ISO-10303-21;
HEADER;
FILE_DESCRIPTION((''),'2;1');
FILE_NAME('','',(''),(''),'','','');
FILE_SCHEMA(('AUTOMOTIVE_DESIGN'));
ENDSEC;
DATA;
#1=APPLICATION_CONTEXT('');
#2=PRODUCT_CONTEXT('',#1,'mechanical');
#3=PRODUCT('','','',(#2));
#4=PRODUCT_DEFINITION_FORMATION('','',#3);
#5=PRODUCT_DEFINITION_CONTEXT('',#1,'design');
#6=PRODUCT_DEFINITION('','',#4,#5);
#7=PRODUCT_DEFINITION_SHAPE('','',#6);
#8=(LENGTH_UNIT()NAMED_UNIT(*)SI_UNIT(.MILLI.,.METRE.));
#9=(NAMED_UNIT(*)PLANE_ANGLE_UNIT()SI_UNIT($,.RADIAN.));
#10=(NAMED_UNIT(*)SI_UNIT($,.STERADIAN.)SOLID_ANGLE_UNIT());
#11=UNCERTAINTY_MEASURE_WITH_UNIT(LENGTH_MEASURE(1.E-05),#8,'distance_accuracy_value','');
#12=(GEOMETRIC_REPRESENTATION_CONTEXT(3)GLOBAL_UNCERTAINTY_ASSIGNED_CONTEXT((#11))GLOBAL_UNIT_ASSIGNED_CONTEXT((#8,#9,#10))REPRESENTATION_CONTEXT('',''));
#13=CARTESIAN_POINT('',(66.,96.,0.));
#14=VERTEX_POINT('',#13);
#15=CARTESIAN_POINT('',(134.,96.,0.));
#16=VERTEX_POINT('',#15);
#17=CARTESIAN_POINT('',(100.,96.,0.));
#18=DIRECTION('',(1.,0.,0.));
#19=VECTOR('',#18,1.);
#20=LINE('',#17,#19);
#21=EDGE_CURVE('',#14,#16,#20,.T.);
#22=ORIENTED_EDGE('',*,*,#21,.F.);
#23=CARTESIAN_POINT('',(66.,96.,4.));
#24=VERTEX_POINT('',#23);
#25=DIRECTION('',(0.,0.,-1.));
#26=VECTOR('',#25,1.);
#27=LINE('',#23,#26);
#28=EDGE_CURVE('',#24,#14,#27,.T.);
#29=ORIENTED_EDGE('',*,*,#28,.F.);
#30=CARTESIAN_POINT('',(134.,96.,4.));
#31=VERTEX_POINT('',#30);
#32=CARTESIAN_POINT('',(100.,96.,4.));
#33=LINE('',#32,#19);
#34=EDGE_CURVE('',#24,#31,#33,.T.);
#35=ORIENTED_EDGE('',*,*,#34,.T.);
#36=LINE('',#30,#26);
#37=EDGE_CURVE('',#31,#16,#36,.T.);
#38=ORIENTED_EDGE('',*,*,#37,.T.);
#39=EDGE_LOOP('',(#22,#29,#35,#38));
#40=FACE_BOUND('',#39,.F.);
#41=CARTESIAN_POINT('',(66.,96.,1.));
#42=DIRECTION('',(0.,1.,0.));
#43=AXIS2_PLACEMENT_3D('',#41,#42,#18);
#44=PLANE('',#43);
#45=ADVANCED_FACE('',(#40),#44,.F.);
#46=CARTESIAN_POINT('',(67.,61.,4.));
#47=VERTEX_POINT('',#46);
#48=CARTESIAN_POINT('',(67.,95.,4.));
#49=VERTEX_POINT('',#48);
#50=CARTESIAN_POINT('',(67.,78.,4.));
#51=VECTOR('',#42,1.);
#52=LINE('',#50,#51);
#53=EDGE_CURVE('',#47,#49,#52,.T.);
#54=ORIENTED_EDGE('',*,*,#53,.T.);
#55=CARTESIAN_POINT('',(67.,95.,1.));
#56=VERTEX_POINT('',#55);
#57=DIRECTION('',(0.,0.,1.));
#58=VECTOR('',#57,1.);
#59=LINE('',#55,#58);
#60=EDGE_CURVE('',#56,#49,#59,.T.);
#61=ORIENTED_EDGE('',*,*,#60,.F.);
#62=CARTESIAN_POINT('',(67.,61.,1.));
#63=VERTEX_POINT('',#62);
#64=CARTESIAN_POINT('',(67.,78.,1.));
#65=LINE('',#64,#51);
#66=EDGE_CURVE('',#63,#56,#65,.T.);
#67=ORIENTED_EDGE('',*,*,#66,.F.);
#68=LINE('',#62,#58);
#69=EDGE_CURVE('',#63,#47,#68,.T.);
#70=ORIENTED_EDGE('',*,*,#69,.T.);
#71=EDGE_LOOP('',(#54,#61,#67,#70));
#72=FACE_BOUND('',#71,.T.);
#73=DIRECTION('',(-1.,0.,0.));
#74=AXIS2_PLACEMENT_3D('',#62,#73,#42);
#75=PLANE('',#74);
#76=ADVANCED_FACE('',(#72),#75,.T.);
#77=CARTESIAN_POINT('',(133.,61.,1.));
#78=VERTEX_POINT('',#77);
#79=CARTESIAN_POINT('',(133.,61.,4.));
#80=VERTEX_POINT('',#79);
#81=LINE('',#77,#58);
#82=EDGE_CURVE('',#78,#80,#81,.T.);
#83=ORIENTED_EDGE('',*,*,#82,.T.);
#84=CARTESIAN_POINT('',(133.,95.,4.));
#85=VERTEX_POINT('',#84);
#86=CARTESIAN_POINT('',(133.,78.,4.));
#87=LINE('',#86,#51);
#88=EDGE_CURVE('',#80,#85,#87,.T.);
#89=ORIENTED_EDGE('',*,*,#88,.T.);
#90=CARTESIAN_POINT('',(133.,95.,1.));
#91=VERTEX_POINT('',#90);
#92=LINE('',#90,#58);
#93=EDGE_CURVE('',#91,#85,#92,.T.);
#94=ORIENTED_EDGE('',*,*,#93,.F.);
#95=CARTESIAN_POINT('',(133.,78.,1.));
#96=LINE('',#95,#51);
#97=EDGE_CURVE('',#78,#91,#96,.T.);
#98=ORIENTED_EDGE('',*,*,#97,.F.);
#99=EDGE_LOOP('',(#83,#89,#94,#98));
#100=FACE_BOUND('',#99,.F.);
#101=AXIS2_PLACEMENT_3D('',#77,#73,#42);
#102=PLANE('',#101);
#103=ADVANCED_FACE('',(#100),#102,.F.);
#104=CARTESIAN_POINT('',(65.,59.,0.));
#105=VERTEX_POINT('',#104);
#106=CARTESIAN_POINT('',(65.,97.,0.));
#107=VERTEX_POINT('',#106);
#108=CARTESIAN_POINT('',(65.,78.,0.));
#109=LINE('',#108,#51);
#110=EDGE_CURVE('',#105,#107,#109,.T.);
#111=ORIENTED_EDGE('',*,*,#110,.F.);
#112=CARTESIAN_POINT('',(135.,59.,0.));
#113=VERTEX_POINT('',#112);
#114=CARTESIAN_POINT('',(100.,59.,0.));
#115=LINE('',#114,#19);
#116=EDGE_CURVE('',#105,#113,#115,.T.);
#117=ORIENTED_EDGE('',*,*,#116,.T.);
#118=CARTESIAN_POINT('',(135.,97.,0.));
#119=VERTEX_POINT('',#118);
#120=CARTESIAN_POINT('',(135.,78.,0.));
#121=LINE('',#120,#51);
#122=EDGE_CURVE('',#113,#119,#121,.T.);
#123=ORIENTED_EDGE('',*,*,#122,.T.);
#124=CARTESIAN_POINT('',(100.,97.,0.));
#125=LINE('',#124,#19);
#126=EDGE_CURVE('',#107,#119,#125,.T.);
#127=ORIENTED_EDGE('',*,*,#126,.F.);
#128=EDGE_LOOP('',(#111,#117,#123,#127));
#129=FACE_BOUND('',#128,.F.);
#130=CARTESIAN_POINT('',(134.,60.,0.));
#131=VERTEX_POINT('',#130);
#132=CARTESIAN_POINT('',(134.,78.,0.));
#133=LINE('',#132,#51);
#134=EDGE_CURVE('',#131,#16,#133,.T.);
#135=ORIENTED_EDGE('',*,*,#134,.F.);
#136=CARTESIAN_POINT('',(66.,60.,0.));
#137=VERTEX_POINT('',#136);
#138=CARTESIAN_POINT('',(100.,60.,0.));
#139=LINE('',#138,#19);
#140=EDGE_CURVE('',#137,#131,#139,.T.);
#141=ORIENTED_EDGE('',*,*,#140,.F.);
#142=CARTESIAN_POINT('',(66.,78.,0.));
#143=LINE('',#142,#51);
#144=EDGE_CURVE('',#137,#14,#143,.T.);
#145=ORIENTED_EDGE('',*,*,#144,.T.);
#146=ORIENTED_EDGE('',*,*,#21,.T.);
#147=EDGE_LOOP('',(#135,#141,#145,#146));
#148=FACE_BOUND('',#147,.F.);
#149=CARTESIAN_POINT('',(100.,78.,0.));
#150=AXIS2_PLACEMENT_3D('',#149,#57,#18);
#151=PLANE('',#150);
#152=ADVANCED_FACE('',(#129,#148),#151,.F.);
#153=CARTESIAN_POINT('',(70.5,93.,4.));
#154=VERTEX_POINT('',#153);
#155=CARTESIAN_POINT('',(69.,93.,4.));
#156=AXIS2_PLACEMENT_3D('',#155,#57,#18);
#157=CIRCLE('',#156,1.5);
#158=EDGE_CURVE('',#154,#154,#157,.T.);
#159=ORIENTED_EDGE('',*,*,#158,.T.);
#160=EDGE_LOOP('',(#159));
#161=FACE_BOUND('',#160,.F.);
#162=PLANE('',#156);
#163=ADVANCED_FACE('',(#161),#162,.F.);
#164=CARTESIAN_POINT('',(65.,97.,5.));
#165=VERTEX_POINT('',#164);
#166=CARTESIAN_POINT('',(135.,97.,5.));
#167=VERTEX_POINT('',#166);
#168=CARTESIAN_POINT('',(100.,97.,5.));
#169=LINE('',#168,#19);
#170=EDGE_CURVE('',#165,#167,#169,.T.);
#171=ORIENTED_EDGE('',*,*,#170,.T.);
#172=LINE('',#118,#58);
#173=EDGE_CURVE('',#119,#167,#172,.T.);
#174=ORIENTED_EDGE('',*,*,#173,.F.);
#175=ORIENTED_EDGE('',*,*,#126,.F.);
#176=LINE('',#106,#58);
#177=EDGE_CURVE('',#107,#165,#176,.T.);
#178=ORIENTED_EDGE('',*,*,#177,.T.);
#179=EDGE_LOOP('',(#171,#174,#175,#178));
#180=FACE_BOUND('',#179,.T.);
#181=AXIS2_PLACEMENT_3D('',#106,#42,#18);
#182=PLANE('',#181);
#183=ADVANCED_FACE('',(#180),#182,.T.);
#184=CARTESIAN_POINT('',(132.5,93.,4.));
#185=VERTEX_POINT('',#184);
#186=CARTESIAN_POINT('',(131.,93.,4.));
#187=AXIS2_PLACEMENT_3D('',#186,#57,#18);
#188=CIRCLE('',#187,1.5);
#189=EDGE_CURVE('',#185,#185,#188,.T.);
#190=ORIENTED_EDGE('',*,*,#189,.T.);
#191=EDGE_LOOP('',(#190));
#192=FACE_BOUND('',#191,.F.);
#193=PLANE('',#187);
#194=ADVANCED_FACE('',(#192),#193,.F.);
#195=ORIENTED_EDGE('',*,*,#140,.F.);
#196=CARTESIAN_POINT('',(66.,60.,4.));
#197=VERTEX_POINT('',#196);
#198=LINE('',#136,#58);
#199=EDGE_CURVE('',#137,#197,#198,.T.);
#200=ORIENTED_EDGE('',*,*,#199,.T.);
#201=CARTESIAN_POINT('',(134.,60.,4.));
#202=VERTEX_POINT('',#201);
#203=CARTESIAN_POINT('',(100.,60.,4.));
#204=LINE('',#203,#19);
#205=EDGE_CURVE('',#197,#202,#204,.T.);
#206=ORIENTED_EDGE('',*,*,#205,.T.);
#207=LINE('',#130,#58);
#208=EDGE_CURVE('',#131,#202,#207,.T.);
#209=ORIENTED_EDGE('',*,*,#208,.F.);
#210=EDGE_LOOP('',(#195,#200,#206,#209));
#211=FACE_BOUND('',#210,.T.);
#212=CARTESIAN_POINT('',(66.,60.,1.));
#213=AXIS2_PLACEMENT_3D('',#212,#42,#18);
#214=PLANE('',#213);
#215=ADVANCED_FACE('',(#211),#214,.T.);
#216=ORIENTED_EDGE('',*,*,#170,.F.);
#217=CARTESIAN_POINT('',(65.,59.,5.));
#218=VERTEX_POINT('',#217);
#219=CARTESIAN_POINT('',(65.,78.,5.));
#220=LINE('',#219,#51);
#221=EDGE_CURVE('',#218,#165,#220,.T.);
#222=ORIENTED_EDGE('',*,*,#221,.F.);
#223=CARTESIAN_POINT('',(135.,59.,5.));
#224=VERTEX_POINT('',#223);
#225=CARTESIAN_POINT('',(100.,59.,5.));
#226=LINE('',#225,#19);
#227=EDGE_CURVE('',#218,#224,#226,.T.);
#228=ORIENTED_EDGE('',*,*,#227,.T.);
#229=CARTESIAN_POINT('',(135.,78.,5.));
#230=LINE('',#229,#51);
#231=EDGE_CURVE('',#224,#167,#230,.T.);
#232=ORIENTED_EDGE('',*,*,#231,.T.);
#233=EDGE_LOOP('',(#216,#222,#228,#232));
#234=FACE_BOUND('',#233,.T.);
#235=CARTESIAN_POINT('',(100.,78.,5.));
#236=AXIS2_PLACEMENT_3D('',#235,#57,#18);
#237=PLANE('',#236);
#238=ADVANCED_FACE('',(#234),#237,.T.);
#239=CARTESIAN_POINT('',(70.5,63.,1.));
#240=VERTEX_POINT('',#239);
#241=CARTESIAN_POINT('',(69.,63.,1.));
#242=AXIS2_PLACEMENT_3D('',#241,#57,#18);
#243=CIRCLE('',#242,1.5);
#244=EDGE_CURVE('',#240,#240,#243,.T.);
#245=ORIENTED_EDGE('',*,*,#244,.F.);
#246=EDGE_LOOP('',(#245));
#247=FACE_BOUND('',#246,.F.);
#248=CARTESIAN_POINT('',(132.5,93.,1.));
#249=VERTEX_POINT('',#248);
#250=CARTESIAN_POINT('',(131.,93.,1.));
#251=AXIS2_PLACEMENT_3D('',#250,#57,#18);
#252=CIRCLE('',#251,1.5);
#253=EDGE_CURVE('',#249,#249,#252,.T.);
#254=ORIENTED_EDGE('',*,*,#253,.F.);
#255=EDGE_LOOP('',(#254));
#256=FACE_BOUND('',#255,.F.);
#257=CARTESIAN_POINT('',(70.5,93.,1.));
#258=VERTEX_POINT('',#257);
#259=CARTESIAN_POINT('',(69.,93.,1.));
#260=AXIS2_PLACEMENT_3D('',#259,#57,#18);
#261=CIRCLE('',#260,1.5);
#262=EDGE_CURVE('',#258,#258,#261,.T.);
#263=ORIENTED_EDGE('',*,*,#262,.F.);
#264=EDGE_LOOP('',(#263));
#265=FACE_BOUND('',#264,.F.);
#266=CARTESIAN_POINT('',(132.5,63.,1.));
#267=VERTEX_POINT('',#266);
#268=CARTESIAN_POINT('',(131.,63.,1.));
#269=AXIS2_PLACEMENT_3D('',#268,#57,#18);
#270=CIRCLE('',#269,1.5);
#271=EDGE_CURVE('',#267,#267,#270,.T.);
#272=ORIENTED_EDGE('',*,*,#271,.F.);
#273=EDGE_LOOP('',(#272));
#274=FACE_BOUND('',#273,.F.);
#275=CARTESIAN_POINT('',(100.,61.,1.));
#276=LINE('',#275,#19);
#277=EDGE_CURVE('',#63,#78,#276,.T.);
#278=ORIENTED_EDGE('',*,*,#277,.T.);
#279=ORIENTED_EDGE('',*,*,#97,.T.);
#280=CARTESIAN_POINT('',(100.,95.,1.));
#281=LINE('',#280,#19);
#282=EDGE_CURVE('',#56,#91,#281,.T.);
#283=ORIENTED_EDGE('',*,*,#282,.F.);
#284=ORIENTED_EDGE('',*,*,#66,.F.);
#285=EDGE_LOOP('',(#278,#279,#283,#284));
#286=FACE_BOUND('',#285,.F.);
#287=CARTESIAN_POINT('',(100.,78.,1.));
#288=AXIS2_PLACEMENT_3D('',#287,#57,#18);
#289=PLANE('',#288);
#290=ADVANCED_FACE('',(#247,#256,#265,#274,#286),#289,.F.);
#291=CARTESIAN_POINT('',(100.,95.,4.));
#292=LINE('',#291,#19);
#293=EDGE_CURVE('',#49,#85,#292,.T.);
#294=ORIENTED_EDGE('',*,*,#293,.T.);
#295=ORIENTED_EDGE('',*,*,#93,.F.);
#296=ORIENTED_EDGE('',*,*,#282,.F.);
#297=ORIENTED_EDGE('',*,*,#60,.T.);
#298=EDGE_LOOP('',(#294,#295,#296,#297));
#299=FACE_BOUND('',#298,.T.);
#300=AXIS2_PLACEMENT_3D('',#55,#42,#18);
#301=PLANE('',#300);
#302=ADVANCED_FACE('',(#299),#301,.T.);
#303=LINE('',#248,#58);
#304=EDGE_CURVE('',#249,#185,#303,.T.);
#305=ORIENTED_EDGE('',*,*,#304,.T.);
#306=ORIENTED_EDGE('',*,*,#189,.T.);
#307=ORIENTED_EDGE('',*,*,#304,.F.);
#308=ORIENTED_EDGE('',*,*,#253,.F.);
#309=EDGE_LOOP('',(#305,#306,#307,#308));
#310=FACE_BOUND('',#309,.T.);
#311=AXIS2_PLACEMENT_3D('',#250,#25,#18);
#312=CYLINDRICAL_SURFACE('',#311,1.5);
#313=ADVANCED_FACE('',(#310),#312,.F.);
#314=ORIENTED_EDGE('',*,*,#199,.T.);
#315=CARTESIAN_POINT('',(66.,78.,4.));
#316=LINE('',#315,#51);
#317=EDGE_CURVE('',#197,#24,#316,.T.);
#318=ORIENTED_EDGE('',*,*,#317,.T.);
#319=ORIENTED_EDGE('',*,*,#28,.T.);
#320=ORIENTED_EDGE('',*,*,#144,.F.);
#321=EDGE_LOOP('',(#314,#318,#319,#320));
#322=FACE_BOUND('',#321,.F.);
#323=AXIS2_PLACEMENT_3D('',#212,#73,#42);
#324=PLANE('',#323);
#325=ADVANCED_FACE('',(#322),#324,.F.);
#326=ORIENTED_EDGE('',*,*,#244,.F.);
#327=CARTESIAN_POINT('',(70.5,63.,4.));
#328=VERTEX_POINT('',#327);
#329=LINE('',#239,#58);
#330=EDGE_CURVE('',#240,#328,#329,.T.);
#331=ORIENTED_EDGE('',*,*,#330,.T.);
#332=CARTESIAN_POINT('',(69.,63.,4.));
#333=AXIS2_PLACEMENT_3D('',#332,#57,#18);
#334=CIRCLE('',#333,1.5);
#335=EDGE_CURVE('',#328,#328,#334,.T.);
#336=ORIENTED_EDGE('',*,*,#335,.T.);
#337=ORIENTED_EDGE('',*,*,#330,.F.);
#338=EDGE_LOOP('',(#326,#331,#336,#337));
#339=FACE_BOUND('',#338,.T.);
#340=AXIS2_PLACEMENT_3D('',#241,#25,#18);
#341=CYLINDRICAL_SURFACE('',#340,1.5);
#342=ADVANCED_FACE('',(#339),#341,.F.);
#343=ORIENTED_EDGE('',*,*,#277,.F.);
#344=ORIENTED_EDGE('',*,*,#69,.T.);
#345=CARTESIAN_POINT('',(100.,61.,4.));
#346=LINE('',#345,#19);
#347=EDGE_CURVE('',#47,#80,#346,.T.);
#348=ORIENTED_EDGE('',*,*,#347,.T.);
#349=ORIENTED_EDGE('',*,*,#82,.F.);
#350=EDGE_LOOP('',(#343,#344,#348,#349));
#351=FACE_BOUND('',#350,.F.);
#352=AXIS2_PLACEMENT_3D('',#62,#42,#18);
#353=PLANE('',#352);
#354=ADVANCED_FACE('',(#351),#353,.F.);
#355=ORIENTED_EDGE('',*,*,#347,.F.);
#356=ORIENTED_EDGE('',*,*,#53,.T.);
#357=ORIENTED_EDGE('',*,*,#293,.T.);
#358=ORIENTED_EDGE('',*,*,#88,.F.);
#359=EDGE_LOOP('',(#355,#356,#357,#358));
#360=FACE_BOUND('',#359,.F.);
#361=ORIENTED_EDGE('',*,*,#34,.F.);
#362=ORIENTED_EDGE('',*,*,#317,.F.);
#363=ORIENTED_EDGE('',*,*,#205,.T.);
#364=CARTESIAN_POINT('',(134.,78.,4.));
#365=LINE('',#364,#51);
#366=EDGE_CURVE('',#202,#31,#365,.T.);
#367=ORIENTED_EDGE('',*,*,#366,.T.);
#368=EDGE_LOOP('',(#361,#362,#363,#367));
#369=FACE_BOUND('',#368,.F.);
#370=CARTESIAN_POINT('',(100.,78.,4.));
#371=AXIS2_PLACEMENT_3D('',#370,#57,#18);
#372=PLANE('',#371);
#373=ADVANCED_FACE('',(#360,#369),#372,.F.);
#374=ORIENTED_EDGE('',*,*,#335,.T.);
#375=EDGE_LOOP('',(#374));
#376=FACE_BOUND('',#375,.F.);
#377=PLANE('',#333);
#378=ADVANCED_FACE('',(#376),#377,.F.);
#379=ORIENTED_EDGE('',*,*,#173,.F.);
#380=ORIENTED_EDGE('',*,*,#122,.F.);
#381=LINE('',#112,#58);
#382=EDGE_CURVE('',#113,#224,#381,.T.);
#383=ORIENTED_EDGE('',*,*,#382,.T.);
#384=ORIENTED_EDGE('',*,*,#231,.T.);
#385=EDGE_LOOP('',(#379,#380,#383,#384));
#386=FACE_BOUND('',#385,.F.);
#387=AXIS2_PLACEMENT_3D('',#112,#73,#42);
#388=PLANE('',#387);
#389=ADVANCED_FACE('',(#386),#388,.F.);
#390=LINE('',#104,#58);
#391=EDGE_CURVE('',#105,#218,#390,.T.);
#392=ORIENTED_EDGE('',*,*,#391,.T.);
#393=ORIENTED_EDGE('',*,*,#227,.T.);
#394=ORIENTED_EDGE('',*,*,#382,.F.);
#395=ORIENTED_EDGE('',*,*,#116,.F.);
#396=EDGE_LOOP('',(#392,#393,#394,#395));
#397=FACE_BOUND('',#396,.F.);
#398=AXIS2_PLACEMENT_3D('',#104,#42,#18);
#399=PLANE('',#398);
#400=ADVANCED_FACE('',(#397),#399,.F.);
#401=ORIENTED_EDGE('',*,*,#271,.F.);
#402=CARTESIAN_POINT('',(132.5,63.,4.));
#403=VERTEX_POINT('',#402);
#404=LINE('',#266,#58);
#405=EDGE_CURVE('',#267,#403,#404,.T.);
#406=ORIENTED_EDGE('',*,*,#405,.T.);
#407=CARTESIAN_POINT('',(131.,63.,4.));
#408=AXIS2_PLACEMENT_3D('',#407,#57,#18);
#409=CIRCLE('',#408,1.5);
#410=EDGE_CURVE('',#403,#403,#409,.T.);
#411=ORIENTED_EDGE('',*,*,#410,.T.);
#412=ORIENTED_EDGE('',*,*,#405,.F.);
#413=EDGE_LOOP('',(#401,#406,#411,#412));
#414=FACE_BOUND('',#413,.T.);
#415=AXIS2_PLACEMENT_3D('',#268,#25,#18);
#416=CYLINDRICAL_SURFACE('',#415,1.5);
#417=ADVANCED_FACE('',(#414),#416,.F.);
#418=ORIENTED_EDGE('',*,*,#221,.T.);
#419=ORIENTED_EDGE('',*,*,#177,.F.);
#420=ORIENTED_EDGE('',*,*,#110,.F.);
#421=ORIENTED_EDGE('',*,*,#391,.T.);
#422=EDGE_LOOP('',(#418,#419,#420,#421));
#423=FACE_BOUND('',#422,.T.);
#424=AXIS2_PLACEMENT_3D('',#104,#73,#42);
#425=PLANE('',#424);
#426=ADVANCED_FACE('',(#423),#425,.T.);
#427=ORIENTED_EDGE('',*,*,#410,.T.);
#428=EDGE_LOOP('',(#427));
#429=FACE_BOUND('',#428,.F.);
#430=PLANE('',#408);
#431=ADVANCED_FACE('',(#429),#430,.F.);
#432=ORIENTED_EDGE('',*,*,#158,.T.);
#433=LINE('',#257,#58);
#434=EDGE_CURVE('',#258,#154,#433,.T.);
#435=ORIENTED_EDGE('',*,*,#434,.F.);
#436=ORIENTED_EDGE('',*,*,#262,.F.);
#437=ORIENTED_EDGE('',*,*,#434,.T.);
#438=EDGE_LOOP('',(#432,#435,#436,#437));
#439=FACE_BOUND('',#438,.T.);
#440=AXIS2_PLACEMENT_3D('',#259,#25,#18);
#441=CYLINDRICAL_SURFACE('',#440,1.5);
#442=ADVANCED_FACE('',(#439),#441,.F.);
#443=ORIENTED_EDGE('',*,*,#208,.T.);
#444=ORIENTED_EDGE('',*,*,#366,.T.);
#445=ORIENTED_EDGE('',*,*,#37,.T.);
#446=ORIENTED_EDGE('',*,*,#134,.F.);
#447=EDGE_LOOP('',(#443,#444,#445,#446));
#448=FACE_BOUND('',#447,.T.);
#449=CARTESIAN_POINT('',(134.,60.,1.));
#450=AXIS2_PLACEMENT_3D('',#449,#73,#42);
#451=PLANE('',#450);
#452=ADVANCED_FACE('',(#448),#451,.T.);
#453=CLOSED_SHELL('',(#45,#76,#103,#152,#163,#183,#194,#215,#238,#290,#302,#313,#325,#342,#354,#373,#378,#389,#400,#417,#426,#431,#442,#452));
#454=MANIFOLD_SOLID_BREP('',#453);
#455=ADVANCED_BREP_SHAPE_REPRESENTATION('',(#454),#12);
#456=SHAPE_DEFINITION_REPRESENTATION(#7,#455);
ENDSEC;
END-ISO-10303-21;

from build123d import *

# Parameters (mm, degrees)
SKETCH033_W   = 68
SKETCH033_H   = 36
PAD021_DEPTH  = 1
SKETCH034_W   = 68
SKETCH034_H   = 36
SKETCH034_W_2 = 66
SKETCH034_H_2 = 34
PAD022_DEPTH  = 3
SKETCH036_R   = 1.5
PAD024_DEPTH  = 3
BOX001_W      = 70
BOX001_H      = 38
BOX001_DEPTH  = 5


with BuildPart() as bottommold:
    # Sketch033 → Pad021 (new body)
    with BuildSketch(Plane.XY):
        Rectangle(SKETCH033_W, SKETCH033_H)
    extrude(amount=PAD021_DEPTH)

    # Sketch034 (on Face6 of Pad021) → Pad022 (join)
    with BuildSketch(Plane.XY.offset(1)):
        Rectangle(SKETCH034_W, SKETCH034_H)
        Rectangle(SKETCH034_W_2, SKETCH034_H_2, mode=Mode.SUBTRACT)
    extrude(amount=PAD022_DEPTH)

    # Sketch036 → Pad024 (join)
    with BuildSketch(Plane.XY.offset(1)):
        with Locations((-31, 15)):
            Circle(SKETCH036_R)
        with Locations((31, 15)):
            Circle(SKETCH036_R)
        with Locations((-31, -15)):
            Circle(SKETCH036_R)
        with Locations((31, -15)):
            Circle(SKETCH036_R)
    extrude(amount=PAD024_DEPTH)


with BuildPart() as bottommold_1:
    # Body007 placement: moved
    add(bottommold.part.moved(Location((100, 78, 0))))


with BuildPart() as bottom_mold:
    # Box001 → Box001 (new body)
    with BuildSketch(Plane(origin=(65, 59, 0), x_dir=(1, 0, 0), z_dir=(0, 0, 1))):
        with Locations((35, 19)):
            Rectangle(BOX001_W, BOX001_H)
    extrude(amount=BOX001_DEPTH)

    # Cut001: cut BottomMold
    add(bottommold_1.part, mode=Mode.SUBTRACT)


solid = bottom_mold.part
